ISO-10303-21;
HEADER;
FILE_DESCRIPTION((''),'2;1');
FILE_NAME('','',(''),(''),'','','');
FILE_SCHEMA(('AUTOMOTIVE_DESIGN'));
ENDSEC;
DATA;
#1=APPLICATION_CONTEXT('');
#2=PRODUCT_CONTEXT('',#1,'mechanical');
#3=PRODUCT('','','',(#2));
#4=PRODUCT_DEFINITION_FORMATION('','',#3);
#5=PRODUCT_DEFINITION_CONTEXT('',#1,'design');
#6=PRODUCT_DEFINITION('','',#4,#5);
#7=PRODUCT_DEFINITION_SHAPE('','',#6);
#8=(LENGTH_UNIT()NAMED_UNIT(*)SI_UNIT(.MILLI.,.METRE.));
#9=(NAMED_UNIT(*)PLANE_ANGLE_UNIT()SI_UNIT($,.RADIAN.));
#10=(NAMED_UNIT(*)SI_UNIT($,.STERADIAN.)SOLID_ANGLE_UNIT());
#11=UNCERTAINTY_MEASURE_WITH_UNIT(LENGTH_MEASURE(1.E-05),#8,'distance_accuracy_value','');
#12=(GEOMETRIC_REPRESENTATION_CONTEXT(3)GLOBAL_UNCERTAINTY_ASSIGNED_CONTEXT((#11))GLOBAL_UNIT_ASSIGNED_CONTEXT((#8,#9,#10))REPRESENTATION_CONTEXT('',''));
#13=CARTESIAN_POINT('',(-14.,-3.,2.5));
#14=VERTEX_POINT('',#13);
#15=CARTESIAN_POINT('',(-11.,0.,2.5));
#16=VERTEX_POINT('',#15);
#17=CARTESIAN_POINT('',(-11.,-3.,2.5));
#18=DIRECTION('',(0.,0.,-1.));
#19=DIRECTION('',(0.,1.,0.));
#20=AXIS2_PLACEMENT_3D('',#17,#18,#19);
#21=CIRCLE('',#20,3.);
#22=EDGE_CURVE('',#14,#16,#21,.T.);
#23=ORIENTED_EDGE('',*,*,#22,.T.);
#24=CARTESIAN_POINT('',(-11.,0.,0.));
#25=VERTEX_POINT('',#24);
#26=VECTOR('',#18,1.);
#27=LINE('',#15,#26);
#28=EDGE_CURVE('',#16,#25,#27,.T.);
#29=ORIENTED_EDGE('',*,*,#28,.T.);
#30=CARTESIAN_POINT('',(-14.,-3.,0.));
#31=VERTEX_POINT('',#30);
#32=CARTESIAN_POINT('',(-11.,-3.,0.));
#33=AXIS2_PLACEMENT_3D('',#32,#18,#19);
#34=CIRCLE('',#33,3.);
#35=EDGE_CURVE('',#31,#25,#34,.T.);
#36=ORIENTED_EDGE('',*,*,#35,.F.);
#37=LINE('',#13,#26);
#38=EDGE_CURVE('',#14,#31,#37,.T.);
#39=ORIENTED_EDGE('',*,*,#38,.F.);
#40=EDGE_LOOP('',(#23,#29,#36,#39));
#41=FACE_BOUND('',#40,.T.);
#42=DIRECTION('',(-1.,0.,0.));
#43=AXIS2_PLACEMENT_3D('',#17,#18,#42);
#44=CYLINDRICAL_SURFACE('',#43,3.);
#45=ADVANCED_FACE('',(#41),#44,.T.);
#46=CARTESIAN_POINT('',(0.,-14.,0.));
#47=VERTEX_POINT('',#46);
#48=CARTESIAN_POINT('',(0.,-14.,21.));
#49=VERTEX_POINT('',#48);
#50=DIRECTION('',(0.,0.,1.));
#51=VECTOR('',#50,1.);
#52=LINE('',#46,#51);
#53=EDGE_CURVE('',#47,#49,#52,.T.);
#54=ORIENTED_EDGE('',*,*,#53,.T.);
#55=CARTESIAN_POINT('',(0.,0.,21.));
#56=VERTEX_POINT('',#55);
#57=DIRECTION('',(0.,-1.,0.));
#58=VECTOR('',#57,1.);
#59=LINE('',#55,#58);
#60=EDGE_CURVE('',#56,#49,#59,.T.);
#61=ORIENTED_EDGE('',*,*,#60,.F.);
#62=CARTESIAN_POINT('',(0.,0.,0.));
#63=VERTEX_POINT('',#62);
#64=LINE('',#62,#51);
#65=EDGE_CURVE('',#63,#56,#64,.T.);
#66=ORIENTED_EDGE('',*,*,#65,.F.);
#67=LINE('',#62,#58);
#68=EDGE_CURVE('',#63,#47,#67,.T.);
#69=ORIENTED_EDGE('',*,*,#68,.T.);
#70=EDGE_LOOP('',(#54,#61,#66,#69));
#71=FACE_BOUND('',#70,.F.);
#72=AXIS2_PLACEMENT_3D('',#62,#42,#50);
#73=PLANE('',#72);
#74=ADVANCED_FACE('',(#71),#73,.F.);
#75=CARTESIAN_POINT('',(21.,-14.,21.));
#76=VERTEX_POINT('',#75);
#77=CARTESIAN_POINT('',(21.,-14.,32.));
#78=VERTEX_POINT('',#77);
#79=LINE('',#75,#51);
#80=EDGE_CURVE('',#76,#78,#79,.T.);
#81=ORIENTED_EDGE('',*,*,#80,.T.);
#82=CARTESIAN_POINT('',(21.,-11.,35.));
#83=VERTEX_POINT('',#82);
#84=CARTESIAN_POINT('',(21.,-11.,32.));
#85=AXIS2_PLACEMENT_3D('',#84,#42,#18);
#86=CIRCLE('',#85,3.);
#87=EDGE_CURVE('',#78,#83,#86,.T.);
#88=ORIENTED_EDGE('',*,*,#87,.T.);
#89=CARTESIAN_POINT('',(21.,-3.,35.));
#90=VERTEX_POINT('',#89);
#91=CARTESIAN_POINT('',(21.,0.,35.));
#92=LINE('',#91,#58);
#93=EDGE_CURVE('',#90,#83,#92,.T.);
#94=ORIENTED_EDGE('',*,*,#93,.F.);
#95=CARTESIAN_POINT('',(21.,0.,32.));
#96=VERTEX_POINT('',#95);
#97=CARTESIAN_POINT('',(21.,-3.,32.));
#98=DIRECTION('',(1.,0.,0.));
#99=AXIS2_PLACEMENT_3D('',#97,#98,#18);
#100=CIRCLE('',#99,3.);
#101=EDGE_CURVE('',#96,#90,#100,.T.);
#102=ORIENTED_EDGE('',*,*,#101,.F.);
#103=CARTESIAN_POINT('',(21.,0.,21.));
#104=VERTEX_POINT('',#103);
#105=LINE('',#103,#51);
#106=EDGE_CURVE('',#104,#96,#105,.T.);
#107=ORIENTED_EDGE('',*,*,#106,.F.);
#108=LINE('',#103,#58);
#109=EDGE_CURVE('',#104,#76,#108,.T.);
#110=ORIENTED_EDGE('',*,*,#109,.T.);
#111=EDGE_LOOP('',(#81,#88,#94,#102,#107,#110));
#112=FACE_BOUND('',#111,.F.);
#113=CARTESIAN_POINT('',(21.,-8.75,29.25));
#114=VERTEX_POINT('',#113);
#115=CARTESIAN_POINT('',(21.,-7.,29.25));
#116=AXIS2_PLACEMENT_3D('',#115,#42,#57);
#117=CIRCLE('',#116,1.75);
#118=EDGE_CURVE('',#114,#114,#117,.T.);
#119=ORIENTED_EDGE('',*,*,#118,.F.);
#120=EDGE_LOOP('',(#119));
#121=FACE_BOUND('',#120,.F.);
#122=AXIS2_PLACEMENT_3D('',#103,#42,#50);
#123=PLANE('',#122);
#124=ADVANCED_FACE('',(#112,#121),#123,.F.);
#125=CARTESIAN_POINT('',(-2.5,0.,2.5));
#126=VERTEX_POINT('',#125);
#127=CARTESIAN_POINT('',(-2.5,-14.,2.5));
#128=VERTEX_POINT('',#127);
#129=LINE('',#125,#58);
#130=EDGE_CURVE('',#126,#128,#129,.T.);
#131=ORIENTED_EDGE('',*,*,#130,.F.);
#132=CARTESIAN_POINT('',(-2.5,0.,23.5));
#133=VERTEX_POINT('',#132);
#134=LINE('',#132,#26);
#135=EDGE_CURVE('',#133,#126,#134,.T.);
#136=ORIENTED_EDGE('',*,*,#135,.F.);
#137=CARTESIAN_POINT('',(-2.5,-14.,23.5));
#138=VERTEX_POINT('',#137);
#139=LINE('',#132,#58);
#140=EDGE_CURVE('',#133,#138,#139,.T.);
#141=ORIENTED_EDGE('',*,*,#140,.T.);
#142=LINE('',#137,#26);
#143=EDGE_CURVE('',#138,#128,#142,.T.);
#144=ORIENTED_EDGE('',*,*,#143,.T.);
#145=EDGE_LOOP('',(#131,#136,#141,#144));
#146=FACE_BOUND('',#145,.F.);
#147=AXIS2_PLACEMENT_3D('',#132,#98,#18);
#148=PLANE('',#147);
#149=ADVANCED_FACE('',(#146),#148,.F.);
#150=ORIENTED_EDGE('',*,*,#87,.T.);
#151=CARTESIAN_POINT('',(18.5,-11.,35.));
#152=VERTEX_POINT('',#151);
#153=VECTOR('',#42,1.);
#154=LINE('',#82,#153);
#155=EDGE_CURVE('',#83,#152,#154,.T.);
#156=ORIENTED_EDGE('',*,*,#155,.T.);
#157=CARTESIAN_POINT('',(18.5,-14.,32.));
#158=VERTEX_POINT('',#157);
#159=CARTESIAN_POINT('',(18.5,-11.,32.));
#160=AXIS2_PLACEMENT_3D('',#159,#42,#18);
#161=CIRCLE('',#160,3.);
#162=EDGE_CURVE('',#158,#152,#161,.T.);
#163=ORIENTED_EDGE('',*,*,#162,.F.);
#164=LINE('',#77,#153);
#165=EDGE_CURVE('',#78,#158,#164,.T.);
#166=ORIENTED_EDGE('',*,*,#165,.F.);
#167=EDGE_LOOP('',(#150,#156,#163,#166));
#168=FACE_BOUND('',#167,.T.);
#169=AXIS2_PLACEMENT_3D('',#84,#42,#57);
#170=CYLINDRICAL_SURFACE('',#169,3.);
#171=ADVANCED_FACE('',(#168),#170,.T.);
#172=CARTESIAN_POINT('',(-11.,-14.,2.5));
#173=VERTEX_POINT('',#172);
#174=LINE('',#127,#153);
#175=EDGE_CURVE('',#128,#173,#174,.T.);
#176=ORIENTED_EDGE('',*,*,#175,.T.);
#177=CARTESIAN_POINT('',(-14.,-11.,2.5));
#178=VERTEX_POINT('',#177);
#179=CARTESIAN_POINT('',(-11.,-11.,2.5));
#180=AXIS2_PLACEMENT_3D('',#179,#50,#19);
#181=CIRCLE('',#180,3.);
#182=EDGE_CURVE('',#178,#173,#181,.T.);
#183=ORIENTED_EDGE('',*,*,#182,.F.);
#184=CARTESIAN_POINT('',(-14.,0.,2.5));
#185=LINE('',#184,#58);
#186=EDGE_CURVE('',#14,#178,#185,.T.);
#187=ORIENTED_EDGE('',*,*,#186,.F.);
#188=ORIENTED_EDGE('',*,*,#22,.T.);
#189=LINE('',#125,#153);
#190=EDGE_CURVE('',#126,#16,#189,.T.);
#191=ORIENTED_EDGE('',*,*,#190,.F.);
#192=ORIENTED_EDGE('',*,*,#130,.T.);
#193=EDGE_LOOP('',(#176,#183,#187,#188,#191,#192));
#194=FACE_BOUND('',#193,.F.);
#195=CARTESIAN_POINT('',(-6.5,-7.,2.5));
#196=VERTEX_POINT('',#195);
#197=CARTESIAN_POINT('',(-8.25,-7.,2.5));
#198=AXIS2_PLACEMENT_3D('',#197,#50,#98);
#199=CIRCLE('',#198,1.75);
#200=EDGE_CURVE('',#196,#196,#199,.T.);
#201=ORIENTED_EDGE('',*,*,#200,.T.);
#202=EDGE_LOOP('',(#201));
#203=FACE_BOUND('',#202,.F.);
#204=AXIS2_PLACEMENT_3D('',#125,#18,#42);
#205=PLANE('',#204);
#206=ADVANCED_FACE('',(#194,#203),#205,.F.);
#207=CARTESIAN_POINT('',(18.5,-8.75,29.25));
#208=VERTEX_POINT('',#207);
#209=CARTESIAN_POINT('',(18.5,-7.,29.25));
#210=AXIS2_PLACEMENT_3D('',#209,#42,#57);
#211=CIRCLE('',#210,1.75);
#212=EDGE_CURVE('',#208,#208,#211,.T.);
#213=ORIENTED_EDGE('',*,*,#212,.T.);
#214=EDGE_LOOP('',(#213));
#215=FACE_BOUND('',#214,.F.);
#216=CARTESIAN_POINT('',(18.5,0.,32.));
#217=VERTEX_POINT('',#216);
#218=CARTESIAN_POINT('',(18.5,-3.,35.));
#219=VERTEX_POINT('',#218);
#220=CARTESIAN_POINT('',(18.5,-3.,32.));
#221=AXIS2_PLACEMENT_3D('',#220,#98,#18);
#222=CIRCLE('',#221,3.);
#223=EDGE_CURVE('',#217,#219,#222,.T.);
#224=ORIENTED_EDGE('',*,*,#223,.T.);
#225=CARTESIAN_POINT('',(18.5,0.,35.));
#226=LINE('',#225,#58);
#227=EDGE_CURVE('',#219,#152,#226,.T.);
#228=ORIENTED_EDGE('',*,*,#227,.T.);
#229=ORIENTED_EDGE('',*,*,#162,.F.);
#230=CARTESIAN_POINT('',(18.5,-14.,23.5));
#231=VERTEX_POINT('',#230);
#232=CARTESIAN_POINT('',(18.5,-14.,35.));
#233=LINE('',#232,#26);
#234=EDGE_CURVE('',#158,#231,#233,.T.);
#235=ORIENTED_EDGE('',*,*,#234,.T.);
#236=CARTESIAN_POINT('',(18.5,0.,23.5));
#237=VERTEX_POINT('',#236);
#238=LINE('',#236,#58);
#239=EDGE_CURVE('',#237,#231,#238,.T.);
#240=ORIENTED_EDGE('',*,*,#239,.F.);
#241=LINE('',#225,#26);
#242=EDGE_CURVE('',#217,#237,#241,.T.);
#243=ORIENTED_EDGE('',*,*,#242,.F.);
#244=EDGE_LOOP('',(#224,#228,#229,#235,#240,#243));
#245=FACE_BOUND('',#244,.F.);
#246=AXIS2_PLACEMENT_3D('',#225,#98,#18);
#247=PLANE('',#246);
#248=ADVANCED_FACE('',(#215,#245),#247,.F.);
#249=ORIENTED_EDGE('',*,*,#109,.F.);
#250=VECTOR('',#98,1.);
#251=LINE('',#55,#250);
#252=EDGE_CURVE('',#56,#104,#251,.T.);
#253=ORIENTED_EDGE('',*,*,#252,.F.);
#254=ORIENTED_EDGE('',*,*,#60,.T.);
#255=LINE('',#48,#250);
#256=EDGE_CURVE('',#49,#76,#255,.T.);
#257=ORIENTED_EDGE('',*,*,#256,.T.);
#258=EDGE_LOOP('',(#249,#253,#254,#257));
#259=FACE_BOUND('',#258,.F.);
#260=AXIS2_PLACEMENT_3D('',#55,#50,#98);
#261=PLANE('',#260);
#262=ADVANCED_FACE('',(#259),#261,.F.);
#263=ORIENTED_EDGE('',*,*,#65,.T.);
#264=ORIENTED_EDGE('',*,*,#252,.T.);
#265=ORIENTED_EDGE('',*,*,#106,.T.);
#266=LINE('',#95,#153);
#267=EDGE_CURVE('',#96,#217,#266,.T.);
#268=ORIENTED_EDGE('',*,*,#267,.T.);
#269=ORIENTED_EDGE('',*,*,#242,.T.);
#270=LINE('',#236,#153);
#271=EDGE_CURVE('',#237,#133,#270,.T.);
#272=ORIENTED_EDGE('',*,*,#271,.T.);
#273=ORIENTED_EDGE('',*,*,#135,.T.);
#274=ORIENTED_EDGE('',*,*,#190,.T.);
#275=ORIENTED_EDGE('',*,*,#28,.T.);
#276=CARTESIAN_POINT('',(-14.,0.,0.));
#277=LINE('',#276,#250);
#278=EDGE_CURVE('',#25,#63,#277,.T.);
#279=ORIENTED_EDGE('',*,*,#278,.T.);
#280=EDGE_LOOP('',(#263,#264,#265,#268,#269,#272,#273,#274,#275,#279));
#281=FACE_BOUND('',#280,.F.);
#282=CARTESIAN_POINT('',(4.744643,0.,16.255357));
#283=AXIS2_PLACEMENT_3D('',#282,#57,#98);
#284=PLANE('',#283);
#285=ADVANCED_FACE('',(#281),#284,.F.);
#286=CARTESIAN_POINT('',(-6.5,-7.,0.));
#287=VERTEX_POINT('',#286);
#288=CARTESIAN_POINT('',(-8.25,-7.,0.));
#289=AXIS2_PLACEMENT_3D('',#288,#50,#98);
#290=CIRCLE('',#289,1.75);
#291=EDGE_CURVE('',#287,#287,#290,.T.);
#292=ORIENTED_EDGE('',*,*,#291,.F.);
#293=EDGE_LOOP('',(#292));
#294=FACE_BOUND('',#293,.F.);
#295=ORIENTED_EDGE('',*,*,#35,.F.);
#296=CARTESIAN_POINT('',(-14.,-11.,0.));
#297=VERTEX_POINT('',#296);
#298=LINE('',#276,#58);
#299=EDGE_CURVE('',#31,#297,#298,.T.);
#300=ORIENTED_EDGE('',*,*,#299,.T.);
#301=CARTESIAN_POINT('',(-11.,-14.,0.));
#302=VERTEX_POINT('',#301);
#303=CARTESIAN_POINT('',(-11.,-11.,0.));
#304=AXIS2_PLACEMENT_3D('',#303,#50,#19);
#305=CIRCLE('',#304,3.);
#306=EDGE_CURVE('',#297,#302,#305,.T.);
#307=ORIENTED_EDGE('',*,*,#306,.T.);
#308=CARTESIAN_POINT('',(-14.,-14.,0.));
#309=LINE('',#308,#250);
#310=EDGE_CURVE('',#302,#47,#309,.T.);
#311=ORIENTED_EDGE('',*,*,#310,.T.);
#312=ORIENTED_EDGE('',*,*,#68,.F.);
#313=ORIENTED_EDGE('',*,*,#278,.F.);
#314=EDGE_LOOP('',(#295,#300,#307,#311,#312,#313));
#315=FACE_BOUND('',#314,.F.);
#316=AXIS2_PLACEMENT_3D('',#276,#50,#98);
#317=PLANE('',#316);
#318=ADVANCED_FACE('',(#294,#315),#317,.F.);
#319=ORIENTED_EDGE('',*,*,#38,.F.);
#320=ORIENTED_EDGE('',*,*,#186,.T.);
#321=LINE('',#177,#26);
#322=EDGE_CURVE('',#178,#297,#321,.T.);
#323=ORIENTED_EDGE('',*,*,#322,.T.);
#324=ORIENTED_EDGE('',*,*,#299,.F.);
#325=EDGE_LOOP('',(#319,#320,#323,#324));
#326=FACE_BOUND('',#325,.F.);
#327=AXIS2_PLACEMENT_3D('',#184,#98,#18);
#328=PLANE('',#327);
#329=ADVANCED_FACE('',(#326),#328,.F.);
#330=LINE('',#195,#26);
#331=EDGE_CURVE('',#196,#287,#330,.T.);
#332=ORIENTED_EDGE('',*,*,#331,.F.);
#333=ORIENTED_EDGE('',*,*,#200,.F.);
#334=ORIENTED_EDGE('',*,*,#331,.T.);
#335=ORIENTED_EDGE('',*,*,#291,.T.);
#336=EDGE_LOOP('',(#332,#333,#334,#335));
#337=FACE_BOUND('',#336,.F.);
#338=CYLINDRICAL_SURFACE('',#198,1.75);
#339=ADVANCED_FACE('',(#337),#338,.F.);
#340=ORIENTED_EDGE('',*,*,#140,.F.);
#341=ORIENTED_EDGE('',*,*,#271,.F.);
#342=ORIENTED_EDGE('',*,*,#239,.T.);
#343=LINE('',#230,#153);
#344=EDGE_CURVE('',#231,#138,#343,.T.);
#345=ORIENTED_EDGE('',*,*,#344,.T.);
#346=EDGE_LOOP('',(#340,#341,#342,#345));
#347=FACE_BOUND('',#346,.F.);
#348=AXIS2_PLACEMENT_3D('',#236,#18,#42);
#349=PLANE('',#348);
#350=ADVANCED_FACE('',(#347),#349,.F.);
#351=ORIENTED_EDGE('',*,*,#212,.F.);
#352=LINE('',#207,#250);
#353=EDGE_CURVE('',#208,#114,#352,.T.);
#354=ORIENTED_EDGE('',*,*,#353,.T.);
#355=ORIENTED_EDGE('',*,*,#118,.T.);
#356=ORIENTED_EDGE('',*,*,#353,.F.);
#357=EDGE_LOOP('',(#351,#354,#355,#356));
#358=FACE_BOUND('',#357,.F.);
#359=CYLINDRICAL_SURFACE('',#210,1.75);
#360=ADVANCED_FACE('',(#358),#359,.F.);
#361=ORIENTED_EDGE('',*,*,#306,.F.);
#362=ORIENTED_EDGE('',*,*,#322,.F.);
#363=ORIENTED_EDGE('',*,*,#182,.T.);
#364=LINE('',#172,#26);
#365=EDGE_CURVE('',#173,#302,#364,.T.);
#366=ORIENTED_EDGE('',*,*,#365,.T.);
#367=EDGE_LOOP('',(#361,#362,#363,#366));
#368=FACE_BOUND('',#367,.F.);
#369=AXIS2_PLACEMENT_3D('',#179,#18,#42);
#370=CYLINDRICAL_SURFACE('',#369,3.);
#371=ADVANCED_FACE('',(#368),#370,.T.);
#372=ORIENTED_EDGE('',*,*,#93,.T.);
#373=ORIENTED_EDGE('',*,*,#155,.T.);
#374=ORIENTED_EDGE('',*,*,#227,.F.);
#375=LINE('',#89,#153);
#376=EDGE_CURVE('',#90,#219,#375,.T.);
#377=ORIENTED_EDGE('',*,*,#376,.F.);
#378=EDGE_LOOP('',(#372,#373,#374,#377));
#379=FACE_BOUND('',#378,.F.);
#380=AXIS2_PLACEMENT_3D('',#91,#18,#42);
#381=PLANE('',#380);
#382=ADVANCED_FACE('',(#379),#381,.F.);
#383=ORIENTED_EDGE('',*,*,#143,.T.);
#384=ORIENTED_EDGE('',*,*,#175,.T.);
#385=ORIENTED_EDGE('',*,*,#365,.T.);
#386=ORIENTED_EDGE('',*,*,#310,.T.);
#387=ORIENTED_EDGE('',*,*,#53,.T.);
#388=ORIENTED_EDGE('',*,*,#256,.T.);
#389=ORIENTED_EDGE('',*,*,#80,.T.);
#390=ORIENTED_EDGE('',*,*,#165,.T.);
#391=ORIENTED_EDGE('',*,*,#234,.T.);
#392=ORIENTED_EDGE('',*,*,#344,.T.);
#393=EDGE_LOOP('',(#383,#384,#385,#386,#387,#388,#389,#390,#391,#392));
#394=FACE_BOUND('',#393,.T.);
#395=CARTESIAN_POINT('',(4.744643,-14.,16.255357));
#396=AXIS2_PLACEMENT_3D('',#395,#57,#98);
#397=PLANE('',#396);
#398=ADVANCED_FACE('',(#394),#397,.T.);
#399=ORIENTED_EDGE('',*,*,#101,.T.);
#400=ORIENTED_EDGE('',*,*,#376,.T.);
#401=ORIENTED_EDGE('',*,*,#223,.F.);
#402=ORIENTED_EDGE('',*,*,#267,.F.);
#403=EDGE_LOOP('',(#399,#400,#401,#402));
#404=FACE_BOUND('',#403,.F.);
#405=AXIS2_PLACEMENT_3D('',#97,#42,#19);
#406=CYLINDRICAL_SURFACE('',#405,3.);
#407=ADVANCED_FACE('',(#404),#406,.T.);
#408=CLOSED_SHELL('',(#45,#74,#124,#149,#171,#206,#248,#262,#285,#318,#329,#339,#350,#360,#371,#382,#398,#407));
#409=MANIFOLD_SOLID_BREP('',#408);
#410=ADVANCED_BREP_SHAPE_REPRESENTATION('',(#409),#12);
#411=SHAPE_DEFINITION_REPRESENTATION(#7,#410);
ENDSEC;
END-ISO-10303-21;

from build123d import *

# Parameters (mm, degrees)
F1_DEPTH = 14
F2_R     = 1.75
F3_DEPTH = 2.501
F4_R     = 1.75
F5_DEPTH = 25
F6_R     = 3


with BuildPart() as f1:
    # F0 (on Front) → F1 (new body)
    with BuildSketch(Plane.XZ):
        Polygon((-14, 0), (0, 0), (0, 21), (21, 21), (21, 35), (18.5, 35), (18.5, 23.5), (-2.5, 23.5), (-2.5, 2.5), (-14, 2.5), align=None)
    extrude(amount=F1_DEPTH)

    # F2 (on face) → F3 (cut, through all)
    with BuildSketch(Plane(origin=(18.5, 0, 0), x_dir=(0, -1, 0), z_dir=(-1, 0, 0))):
        with Locations((7, 29.25)):
            Circle(F2_R)
    extrude(amount=-F3_DEPTH, mode=Mode.SUBTRACT)

    # F4 (on face) → F5 (cut)
    with BuildSketch(Plane.XY.offset(2.5)):
        with Locations((-8.25, -7)):
            Circle(F4_R)
    extrude(amount=-F5_DEPTH, mode=Mode.SUBTRACT)

    # F6
    f6_edges = [f1.edges().sort_by_distance(p)[0] for p in [
        (-14, -14, 1.25),
        (-14, 0, 1.25),
        (19.75, -14, 35),
        (19.75, 0, 35),
    ]]
    fillet(f6_edges, radius=F6_R)


solid = f1.part
